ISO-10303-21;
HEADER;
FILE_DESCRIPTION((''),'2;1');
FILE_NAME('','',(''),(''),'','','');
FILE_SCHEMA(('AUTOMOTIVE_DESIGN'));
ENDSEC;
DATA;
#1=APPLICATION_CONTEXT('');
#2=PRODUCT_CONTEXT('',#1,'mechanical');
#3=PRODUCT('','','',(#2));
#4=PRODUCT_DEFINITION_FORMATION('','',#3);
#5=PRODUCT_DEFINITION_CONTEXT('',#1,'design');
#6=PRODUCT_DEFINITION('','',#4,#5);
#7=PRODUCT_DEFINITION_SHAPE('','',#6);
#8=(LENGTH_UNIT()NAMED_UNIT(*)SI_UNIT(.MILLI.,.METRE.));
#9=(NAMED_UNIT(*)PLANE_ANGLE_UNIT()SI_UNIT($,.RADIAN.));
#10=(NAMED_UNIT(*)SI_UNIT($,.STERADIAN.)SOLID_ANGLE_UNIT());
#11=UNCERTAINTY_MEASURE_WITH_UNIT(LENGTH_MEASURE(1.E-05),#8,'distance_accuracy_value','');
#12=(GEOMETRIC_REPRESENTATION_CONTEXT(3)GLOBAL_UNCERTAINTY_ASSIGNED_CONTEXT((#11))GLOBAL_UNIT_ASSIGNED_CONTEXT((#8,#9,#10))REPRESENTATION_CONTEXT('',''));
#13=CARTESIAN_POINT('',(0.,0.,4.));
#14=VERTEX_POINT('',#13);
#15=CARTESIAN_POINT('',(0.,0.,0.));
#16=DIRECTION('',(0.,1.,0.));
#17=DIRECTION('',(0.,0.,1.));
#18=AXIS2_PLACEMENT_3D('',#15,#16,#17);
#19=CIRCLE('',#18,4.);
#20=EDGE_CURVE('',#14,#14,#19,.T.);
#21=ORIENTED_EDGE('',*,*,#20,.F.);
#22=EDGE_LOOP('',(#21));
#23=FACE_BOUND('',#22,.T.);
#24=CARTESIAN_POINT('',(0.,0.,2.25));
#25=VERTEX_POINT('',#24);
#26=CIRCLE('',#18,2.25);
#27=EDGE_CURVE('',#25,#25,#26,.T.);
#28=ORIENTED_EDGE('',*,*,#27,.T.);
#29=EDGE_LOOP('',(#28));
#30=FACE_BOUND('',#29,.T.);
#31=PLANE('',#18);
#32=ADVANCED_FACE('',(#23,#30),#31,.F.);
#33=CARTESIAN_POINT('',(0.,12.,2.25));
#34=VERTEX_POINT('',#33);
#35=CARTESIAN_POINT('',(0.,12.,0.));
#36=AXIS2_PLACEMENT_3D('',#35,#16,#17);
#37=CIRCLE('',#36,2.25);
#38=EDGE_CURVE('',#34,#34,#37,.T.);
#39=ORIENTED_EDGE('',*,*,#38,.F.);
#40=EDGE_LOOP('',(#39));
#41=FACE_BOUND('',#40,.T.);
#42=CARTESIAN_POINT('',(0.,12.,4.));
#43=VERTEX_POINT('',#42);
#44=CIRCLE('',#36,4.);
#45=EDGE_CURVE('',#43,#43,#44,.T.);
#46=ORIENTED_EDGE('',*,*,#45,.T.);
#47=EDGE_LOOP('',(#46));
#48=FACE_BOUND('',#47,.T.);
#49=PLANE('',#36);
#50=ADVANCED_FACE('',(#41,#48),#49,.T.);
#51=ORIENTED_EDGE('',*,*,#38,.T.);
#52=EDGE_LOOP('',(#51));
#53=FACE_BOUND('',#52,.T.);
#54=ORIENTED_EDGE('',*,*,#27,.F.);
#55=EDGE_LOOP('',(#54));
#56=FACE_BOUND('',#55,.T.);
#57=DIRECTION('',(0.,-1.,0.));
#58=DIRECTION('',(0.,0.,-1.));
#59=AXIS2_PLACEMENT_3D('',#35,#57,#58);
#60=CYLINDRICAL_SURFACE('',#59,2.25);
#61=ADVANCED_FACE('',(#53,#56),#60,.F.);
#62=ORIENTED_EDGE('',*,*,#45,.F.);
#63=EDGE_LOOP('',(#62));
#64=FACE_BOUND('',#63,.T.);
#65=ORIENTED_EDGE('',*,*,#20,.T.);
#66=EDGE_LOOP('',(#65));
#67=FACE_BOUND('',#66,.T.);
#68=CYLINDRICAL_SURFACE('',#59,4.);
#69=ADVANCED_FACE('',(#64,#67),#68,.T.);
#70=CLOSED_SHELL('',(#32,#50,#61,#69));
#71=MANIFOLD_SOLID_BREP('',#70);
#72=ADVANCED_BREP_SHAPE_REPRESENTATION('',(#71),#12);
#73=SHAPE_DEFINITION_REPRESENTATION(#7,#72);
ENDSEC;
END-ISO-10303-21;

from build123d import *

# Parameters (mm, degrees)
SKETCH1_R           = 4
SKETCH1_R_2         = 2.25
BOSS_EXTRUDE1_DEPTH = 12


with BuildPart() as part:
    # Sketch1 → Boss-Extrude1 (new body)
    with BuildSketch(Plane(origin=(0, 0, 0), x_dir=(1, 0, 0), z_dir=(0, 1, 0))):
        with Locations(Location((0, 0, 0), (0, 0, 270))):
            Circle(SKETCH1_R)
        with Locations(Location((0, 0, 0), (0, 0, 270))):
            Circle(SKETCH1_R_2, mode=Mode.SUBTRACT)
    extrude(amount=BOSS_EXTRUDE1_DEPTH)


solid = part.part
